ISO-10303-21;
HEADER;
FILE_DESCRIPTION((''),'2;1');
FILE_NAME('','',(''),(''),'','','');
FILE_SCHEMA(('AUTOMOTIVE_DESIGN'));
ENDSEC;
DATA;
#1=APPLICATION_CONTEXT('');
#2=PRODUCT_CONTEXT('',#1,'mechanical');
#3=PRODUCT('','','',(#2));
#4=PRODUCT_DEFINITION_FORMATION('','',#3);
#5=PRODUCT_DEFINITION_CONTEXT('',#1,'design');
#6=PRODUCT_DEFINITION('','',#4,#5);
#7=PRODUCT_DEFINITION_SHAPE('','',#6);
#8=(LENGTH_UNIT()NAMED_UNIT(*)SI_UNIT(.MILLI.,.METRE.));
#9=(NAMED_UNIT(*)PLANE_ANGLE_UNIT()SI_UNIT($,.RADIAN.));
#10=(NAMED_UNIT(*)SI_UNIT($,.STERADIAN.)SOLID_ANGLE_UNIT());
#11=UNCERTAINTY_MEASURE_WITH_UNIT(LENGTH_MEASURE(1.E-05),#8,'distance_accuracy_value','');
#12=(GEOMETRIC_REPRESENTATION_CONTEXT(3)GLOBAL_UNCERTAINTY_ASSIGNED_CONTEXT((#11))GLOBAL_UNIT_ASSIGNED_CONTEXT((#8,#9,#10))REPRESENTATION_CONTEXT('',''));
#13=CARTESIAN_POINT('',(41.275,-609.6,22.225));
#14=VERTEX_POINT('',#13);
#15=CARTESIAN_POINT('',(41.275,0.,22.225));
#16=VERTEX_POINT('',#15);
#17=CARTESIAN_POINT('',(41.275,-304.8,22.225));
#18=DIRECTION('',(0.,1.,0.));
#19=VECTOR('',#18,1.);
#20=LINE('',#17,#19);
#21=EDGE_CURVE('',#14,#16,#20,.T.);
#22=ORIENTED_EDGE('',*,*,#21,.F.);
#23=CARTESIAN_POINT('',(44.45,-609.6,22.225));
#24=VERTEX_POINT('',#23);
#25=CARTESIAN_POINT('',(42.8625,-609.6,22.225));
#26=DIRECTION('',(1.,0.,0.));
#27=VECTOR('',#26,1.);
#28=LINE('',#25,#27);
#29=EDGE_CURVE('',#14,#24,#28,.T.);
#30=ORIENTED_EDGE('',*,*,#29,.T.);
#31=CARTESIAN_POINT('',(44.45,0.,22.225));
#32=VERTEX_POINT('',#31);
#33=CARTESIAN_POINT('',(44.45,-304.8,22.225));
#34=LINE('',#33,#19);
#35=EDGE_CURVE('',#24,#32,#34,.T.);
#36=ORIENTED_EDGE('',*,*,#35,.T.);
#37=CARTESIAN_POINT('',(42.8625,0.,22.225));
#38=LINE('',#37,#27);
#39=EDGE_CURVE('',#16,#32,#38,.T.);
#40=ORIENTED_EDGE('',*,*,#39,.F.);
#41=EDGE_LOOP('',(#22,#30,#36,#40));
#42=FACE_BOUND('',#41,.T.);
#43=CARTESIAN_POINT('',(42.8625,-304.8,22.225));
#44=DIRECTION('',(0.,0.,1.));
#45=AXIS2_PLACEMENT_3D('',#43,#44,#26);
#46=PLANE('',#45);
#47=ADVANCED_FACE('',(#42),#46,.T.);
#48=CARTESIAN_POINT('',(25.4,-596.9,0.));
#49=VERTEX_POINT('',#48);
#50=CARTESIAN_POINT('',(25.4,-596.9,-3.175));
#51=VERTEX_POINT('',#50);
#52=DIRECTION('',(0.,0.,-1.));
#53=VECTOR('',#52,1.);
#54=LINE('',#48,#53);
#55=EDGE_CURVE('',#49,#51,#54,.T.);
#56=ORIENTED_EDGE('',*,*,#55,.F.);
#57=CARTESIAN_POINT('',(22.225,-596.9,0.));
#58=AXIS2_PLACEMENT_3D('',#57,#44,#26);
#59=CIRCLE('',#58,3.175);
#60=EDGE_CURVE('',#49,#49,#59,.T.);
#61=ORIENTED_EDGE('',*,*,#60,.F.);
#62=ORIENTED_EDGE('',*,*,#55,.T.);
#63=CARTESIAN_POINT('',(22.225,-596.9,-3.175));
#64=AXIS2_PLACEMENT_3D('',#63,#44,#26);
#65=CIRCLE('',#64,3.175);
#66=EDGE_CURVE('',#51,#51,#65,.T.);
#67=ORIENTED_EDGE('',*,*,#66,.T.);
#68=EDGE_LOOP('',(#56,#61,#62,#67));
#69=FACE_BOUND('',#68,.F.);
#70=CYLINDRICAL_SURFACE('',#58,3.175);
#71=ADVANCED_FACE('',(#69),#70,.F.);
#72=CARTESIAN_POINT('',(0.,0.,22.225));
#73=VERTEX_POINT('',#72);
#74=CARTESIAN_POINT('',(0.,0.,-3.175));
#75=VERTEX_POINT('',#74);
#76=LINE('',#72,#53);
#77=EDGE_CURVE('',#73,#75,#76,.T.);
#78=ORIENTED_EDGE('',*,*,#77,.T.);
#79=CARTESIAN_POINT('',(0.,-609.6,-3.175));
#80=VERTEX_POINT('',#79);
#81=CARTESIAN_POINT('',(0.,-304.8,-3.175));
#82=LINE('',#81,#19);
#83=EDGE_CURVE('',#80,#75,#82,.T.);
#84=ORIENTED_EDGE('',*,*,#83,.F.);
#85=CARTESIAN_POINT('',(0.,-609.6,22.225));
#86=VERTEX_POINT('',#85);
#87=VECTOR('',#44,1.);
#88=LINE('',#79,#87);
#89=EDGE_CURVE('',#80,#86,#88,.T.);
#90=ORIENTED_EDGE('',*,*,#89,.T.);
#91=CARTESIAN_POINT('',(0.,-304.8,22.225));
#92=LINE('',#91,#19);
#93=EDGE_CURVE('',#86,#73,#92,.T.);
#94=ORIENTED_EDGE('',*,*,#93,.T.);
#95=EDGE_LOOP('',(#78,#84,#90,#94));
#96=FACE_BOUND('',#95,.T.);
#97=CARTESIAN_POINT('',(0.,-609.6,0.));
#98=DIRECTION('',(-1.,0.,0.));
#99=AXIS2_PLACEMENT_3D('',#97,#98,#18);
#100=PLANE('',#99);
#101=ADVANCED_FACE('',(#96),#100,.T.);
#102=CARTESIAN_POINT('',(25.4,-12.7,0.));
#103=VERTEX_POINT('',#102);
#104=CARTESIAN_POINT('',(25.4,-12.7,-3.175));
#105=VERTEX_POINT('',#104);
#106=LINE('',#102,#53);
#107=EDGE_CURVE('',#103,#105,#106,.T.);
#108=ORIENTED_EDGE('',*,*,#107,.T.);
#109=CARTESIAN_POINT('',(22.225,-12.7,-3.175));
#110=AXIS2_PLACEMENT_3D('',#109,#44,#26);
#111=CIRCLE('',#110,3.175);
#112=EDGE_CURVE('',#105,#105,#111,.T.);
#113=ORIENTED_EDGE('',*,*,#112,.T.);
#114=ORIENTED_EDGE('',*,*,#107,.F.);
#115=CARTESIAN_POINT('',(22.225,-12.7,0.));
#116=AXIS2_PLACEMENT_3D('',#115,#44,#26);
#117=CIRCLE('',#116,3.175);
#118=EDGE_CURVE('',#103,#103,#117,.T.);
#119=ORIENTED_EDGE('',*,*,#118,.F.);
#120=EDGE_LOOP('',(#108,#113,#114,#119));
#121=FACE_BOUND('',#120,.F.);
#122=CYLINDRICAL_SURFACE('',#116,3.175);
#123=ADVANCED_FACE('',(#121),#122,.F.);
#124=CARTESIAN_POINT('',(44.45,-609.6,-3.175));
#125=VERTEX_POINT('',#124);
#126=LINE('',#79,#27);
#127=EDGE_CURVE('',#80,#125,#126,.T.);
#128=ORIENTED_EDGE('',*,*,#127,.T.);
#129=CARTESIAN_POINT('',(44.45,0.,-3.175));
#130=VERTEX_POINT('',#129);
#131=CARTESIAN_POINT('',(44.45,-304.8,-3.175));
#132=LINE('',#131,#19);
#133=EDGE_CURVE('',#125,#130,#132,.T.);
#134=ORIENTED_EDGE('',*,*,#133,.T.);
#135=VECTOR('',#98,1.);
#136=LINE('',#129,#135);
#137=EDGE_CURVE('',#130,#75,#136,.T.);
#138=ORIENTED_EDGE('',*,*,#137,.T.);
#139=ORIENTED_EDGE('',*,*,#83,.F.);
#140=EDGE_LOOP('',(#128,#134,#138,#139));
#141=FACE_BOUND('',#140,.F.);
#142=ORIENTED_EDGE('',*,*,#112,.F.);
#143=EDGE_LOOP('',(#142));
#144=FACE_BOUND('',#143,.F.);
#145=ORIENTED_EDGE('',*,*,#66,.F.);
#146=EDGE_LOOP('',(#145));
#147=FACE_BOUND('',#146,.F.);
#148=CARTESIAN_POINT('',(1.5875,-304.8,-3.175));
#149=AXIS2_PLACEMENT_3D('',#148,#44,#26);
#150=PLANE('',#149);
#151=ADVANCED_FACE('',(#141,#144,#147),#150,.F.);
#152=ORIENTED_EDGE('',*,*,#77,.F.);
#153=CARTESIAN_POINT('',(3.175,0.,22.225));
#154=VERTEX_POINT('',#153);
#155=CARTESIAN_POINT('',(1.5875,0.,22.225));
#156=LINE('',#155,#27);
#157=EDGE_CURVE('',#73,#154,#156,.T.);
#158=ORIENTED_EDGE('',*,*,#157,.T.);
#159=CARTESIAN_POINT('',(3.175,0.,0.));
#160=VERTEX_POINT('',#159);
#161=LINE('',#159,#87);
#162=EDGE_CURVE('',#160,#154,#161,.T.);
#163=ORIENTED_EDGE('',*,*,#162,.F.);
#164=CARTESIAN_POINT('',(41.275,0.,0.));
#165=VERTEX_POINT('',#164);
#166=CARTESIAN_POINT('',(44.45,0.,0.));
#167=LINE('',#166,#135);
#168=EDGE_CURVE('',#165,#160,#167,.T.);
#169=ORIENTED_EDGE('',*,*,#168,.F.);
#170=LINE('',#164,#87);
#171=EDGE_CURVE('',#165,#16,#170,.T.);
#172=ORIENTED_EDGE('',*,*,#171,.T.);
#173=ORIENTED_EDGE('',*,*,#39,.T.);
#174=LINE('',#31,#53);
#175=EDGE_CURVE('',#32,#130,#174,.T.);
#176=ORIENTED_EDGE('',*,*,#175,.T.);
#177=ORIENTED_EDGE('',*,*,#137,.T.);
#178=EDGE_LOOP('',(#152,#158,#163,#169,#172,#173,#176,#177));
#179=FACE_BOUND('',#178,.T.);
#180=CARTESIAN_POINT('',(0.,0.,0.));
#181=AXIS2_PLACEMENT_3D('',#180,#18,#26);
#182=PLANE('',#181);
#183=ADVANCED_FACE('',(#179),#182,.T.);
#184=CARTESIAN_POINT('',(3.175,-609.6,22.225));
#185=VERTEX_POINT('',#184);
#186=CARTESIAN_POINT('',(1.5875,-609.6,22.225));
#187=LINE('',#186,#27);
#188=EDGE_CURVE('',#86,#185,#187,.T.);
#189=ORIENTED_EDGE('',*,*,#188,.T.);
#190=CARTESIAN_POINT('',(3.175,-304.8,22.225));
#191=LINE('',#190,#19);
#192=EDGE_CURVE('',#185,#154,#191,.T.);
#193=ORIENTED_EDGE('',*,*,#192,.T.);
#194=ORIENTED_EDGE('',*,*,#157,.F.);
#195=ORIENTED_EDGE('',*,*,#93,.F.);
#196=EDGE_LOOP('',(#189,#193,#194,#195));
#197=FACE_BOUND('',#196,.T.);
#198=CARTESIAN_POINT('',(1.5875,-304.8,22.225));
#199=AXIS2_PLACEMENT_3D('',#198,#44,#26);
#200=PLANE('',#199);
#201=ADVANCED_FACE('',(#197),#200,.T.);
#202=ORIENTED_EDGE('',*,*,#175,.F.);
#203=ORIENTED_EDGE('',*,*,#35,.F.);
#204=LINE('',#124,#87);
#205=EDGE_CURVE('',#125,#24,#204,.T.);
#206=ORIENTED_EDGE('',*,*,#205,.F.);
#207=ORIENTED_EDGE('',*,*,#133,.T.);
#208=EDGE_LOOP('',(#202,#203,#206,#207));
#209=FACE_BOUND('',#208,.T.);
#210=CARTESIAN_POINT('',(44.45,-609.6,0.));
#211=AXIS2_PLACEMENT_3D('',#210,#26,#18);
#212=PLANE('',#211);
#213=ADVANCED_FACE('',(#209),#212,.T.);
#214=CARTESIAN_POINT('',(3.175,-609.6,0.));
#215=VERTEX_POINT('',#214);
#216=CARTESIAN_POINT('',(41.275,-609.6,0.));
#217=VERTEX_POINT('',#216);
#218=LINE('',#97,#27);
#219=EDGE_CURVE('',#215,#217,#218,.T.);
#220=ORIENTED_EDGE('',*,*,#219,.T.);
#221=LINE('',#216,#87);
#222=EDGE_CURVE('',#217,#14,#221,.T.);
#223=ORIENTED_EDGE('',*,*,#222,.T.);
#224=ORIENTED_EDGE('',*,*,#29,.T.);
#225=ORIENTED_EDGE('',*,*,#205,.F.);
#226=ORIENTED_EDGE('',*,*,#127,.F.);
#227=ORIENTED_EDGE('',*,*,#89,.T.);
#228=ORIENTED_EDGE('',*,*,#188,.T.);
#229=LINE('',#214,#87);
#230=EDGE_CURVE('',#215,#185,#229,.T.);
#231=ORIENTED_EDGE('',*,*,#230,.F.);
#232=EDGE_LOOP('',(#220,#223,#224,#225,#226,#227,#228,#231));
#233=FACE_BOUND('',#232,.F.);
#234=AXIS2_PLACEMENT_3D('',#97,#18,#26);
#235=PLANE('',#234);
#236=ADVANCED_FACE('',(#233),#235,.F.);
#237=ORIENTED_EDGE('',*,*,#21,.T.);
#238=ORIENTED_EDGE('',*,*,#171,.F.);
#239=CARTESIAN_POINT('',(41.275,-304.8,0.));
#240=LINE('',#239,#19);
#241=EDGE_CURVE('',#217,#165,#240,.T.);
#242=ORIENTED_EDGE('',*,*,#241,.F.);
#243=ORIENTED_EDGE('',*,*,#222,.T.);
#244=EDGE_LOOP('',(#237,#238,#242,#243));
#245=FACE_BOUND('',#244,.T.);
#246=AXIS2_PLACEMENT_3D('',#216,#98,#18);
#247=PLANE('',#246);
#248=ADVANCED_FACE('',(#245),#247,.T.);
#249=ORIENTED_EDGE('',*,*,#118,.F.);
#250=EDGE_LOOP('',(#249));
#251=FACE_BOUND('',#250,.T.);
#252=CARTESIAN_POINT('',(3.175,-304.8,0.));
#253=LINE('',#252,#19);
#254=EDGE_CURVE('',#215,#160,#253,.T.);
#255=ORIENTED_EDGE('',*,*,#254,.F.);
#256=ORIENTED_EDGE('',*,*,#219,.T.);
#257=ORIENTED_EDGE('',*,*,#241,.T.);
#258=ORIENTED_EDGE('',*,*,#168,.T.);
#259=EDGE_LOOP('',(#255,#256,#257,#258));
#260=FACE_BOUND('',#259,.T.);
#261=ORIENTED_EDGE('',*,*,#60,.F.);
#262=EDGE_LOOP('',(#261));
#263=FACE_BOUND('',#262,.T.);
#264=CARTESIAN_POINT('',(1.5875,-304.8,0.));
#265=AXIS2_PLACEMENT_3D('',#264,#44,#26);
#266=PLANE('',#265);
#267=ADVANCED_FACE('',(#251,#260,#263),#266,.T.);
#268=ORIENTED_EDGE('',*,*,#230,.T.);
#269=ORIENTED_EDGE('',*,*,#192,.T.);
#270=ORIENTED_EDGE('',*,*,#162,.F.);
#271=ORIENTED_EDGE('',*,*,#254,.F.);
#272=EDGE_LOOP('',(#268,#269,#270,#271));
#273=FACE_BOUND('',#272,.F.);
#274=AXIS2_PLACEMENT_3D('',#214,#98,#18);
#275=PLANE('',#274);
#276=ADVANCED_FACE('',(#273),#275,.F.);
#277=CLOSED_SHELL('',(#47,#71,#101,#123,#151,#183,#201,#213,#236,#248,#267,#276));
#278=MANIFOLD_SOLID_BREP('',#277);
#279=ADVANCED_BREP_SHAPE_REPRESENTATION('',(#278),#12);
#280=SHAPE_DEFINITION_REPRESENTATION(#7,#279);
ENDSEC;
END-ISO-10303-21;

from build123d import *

# Parameters (mm, degrees)
F0_W     = 3.175
F0_H     = 609.6
F0_W_2   = 38.1
F0_R     = 3.175
F1_DEPTH = 3.175
F2_DEPTH = 22.225


with BuildPart() as f1:
    # F0 (on Top) → F1 (new body)
    with BuildSketch(Plane.XY):
        with Locations((1.5875, -304.8)):
            Rectangle(F0_W, F0_H)
        with Locations((22.225, -304.8)):
            Rectangle(F0_W_2, F0_H)
        with Locations((22.225, -596.9)):
            Circle(F0_R, mode=Mode.SUBTRACT)
        with Locations((22.225, -12.7)):
            Circle(F0_R, mode=Mode.SUBTRACT)
        with Locations((42.8625, -304.8)):
            Rectangle(F0_W, F0_H)
    extrude(amount=-F1_DEPTH)

    # F0 (on Top) → F2 (join)
    with BuildSketch(Plane.XY):
        with Locations((1.5875, -304.8)):
            Rectangle(F0_W, F0_H)
        with Locations((42.8625, -304.8)):
            Rectangle(F0_W, F0_H)
    extrude(amount=F2_DEPTH)


solid = f1.part
